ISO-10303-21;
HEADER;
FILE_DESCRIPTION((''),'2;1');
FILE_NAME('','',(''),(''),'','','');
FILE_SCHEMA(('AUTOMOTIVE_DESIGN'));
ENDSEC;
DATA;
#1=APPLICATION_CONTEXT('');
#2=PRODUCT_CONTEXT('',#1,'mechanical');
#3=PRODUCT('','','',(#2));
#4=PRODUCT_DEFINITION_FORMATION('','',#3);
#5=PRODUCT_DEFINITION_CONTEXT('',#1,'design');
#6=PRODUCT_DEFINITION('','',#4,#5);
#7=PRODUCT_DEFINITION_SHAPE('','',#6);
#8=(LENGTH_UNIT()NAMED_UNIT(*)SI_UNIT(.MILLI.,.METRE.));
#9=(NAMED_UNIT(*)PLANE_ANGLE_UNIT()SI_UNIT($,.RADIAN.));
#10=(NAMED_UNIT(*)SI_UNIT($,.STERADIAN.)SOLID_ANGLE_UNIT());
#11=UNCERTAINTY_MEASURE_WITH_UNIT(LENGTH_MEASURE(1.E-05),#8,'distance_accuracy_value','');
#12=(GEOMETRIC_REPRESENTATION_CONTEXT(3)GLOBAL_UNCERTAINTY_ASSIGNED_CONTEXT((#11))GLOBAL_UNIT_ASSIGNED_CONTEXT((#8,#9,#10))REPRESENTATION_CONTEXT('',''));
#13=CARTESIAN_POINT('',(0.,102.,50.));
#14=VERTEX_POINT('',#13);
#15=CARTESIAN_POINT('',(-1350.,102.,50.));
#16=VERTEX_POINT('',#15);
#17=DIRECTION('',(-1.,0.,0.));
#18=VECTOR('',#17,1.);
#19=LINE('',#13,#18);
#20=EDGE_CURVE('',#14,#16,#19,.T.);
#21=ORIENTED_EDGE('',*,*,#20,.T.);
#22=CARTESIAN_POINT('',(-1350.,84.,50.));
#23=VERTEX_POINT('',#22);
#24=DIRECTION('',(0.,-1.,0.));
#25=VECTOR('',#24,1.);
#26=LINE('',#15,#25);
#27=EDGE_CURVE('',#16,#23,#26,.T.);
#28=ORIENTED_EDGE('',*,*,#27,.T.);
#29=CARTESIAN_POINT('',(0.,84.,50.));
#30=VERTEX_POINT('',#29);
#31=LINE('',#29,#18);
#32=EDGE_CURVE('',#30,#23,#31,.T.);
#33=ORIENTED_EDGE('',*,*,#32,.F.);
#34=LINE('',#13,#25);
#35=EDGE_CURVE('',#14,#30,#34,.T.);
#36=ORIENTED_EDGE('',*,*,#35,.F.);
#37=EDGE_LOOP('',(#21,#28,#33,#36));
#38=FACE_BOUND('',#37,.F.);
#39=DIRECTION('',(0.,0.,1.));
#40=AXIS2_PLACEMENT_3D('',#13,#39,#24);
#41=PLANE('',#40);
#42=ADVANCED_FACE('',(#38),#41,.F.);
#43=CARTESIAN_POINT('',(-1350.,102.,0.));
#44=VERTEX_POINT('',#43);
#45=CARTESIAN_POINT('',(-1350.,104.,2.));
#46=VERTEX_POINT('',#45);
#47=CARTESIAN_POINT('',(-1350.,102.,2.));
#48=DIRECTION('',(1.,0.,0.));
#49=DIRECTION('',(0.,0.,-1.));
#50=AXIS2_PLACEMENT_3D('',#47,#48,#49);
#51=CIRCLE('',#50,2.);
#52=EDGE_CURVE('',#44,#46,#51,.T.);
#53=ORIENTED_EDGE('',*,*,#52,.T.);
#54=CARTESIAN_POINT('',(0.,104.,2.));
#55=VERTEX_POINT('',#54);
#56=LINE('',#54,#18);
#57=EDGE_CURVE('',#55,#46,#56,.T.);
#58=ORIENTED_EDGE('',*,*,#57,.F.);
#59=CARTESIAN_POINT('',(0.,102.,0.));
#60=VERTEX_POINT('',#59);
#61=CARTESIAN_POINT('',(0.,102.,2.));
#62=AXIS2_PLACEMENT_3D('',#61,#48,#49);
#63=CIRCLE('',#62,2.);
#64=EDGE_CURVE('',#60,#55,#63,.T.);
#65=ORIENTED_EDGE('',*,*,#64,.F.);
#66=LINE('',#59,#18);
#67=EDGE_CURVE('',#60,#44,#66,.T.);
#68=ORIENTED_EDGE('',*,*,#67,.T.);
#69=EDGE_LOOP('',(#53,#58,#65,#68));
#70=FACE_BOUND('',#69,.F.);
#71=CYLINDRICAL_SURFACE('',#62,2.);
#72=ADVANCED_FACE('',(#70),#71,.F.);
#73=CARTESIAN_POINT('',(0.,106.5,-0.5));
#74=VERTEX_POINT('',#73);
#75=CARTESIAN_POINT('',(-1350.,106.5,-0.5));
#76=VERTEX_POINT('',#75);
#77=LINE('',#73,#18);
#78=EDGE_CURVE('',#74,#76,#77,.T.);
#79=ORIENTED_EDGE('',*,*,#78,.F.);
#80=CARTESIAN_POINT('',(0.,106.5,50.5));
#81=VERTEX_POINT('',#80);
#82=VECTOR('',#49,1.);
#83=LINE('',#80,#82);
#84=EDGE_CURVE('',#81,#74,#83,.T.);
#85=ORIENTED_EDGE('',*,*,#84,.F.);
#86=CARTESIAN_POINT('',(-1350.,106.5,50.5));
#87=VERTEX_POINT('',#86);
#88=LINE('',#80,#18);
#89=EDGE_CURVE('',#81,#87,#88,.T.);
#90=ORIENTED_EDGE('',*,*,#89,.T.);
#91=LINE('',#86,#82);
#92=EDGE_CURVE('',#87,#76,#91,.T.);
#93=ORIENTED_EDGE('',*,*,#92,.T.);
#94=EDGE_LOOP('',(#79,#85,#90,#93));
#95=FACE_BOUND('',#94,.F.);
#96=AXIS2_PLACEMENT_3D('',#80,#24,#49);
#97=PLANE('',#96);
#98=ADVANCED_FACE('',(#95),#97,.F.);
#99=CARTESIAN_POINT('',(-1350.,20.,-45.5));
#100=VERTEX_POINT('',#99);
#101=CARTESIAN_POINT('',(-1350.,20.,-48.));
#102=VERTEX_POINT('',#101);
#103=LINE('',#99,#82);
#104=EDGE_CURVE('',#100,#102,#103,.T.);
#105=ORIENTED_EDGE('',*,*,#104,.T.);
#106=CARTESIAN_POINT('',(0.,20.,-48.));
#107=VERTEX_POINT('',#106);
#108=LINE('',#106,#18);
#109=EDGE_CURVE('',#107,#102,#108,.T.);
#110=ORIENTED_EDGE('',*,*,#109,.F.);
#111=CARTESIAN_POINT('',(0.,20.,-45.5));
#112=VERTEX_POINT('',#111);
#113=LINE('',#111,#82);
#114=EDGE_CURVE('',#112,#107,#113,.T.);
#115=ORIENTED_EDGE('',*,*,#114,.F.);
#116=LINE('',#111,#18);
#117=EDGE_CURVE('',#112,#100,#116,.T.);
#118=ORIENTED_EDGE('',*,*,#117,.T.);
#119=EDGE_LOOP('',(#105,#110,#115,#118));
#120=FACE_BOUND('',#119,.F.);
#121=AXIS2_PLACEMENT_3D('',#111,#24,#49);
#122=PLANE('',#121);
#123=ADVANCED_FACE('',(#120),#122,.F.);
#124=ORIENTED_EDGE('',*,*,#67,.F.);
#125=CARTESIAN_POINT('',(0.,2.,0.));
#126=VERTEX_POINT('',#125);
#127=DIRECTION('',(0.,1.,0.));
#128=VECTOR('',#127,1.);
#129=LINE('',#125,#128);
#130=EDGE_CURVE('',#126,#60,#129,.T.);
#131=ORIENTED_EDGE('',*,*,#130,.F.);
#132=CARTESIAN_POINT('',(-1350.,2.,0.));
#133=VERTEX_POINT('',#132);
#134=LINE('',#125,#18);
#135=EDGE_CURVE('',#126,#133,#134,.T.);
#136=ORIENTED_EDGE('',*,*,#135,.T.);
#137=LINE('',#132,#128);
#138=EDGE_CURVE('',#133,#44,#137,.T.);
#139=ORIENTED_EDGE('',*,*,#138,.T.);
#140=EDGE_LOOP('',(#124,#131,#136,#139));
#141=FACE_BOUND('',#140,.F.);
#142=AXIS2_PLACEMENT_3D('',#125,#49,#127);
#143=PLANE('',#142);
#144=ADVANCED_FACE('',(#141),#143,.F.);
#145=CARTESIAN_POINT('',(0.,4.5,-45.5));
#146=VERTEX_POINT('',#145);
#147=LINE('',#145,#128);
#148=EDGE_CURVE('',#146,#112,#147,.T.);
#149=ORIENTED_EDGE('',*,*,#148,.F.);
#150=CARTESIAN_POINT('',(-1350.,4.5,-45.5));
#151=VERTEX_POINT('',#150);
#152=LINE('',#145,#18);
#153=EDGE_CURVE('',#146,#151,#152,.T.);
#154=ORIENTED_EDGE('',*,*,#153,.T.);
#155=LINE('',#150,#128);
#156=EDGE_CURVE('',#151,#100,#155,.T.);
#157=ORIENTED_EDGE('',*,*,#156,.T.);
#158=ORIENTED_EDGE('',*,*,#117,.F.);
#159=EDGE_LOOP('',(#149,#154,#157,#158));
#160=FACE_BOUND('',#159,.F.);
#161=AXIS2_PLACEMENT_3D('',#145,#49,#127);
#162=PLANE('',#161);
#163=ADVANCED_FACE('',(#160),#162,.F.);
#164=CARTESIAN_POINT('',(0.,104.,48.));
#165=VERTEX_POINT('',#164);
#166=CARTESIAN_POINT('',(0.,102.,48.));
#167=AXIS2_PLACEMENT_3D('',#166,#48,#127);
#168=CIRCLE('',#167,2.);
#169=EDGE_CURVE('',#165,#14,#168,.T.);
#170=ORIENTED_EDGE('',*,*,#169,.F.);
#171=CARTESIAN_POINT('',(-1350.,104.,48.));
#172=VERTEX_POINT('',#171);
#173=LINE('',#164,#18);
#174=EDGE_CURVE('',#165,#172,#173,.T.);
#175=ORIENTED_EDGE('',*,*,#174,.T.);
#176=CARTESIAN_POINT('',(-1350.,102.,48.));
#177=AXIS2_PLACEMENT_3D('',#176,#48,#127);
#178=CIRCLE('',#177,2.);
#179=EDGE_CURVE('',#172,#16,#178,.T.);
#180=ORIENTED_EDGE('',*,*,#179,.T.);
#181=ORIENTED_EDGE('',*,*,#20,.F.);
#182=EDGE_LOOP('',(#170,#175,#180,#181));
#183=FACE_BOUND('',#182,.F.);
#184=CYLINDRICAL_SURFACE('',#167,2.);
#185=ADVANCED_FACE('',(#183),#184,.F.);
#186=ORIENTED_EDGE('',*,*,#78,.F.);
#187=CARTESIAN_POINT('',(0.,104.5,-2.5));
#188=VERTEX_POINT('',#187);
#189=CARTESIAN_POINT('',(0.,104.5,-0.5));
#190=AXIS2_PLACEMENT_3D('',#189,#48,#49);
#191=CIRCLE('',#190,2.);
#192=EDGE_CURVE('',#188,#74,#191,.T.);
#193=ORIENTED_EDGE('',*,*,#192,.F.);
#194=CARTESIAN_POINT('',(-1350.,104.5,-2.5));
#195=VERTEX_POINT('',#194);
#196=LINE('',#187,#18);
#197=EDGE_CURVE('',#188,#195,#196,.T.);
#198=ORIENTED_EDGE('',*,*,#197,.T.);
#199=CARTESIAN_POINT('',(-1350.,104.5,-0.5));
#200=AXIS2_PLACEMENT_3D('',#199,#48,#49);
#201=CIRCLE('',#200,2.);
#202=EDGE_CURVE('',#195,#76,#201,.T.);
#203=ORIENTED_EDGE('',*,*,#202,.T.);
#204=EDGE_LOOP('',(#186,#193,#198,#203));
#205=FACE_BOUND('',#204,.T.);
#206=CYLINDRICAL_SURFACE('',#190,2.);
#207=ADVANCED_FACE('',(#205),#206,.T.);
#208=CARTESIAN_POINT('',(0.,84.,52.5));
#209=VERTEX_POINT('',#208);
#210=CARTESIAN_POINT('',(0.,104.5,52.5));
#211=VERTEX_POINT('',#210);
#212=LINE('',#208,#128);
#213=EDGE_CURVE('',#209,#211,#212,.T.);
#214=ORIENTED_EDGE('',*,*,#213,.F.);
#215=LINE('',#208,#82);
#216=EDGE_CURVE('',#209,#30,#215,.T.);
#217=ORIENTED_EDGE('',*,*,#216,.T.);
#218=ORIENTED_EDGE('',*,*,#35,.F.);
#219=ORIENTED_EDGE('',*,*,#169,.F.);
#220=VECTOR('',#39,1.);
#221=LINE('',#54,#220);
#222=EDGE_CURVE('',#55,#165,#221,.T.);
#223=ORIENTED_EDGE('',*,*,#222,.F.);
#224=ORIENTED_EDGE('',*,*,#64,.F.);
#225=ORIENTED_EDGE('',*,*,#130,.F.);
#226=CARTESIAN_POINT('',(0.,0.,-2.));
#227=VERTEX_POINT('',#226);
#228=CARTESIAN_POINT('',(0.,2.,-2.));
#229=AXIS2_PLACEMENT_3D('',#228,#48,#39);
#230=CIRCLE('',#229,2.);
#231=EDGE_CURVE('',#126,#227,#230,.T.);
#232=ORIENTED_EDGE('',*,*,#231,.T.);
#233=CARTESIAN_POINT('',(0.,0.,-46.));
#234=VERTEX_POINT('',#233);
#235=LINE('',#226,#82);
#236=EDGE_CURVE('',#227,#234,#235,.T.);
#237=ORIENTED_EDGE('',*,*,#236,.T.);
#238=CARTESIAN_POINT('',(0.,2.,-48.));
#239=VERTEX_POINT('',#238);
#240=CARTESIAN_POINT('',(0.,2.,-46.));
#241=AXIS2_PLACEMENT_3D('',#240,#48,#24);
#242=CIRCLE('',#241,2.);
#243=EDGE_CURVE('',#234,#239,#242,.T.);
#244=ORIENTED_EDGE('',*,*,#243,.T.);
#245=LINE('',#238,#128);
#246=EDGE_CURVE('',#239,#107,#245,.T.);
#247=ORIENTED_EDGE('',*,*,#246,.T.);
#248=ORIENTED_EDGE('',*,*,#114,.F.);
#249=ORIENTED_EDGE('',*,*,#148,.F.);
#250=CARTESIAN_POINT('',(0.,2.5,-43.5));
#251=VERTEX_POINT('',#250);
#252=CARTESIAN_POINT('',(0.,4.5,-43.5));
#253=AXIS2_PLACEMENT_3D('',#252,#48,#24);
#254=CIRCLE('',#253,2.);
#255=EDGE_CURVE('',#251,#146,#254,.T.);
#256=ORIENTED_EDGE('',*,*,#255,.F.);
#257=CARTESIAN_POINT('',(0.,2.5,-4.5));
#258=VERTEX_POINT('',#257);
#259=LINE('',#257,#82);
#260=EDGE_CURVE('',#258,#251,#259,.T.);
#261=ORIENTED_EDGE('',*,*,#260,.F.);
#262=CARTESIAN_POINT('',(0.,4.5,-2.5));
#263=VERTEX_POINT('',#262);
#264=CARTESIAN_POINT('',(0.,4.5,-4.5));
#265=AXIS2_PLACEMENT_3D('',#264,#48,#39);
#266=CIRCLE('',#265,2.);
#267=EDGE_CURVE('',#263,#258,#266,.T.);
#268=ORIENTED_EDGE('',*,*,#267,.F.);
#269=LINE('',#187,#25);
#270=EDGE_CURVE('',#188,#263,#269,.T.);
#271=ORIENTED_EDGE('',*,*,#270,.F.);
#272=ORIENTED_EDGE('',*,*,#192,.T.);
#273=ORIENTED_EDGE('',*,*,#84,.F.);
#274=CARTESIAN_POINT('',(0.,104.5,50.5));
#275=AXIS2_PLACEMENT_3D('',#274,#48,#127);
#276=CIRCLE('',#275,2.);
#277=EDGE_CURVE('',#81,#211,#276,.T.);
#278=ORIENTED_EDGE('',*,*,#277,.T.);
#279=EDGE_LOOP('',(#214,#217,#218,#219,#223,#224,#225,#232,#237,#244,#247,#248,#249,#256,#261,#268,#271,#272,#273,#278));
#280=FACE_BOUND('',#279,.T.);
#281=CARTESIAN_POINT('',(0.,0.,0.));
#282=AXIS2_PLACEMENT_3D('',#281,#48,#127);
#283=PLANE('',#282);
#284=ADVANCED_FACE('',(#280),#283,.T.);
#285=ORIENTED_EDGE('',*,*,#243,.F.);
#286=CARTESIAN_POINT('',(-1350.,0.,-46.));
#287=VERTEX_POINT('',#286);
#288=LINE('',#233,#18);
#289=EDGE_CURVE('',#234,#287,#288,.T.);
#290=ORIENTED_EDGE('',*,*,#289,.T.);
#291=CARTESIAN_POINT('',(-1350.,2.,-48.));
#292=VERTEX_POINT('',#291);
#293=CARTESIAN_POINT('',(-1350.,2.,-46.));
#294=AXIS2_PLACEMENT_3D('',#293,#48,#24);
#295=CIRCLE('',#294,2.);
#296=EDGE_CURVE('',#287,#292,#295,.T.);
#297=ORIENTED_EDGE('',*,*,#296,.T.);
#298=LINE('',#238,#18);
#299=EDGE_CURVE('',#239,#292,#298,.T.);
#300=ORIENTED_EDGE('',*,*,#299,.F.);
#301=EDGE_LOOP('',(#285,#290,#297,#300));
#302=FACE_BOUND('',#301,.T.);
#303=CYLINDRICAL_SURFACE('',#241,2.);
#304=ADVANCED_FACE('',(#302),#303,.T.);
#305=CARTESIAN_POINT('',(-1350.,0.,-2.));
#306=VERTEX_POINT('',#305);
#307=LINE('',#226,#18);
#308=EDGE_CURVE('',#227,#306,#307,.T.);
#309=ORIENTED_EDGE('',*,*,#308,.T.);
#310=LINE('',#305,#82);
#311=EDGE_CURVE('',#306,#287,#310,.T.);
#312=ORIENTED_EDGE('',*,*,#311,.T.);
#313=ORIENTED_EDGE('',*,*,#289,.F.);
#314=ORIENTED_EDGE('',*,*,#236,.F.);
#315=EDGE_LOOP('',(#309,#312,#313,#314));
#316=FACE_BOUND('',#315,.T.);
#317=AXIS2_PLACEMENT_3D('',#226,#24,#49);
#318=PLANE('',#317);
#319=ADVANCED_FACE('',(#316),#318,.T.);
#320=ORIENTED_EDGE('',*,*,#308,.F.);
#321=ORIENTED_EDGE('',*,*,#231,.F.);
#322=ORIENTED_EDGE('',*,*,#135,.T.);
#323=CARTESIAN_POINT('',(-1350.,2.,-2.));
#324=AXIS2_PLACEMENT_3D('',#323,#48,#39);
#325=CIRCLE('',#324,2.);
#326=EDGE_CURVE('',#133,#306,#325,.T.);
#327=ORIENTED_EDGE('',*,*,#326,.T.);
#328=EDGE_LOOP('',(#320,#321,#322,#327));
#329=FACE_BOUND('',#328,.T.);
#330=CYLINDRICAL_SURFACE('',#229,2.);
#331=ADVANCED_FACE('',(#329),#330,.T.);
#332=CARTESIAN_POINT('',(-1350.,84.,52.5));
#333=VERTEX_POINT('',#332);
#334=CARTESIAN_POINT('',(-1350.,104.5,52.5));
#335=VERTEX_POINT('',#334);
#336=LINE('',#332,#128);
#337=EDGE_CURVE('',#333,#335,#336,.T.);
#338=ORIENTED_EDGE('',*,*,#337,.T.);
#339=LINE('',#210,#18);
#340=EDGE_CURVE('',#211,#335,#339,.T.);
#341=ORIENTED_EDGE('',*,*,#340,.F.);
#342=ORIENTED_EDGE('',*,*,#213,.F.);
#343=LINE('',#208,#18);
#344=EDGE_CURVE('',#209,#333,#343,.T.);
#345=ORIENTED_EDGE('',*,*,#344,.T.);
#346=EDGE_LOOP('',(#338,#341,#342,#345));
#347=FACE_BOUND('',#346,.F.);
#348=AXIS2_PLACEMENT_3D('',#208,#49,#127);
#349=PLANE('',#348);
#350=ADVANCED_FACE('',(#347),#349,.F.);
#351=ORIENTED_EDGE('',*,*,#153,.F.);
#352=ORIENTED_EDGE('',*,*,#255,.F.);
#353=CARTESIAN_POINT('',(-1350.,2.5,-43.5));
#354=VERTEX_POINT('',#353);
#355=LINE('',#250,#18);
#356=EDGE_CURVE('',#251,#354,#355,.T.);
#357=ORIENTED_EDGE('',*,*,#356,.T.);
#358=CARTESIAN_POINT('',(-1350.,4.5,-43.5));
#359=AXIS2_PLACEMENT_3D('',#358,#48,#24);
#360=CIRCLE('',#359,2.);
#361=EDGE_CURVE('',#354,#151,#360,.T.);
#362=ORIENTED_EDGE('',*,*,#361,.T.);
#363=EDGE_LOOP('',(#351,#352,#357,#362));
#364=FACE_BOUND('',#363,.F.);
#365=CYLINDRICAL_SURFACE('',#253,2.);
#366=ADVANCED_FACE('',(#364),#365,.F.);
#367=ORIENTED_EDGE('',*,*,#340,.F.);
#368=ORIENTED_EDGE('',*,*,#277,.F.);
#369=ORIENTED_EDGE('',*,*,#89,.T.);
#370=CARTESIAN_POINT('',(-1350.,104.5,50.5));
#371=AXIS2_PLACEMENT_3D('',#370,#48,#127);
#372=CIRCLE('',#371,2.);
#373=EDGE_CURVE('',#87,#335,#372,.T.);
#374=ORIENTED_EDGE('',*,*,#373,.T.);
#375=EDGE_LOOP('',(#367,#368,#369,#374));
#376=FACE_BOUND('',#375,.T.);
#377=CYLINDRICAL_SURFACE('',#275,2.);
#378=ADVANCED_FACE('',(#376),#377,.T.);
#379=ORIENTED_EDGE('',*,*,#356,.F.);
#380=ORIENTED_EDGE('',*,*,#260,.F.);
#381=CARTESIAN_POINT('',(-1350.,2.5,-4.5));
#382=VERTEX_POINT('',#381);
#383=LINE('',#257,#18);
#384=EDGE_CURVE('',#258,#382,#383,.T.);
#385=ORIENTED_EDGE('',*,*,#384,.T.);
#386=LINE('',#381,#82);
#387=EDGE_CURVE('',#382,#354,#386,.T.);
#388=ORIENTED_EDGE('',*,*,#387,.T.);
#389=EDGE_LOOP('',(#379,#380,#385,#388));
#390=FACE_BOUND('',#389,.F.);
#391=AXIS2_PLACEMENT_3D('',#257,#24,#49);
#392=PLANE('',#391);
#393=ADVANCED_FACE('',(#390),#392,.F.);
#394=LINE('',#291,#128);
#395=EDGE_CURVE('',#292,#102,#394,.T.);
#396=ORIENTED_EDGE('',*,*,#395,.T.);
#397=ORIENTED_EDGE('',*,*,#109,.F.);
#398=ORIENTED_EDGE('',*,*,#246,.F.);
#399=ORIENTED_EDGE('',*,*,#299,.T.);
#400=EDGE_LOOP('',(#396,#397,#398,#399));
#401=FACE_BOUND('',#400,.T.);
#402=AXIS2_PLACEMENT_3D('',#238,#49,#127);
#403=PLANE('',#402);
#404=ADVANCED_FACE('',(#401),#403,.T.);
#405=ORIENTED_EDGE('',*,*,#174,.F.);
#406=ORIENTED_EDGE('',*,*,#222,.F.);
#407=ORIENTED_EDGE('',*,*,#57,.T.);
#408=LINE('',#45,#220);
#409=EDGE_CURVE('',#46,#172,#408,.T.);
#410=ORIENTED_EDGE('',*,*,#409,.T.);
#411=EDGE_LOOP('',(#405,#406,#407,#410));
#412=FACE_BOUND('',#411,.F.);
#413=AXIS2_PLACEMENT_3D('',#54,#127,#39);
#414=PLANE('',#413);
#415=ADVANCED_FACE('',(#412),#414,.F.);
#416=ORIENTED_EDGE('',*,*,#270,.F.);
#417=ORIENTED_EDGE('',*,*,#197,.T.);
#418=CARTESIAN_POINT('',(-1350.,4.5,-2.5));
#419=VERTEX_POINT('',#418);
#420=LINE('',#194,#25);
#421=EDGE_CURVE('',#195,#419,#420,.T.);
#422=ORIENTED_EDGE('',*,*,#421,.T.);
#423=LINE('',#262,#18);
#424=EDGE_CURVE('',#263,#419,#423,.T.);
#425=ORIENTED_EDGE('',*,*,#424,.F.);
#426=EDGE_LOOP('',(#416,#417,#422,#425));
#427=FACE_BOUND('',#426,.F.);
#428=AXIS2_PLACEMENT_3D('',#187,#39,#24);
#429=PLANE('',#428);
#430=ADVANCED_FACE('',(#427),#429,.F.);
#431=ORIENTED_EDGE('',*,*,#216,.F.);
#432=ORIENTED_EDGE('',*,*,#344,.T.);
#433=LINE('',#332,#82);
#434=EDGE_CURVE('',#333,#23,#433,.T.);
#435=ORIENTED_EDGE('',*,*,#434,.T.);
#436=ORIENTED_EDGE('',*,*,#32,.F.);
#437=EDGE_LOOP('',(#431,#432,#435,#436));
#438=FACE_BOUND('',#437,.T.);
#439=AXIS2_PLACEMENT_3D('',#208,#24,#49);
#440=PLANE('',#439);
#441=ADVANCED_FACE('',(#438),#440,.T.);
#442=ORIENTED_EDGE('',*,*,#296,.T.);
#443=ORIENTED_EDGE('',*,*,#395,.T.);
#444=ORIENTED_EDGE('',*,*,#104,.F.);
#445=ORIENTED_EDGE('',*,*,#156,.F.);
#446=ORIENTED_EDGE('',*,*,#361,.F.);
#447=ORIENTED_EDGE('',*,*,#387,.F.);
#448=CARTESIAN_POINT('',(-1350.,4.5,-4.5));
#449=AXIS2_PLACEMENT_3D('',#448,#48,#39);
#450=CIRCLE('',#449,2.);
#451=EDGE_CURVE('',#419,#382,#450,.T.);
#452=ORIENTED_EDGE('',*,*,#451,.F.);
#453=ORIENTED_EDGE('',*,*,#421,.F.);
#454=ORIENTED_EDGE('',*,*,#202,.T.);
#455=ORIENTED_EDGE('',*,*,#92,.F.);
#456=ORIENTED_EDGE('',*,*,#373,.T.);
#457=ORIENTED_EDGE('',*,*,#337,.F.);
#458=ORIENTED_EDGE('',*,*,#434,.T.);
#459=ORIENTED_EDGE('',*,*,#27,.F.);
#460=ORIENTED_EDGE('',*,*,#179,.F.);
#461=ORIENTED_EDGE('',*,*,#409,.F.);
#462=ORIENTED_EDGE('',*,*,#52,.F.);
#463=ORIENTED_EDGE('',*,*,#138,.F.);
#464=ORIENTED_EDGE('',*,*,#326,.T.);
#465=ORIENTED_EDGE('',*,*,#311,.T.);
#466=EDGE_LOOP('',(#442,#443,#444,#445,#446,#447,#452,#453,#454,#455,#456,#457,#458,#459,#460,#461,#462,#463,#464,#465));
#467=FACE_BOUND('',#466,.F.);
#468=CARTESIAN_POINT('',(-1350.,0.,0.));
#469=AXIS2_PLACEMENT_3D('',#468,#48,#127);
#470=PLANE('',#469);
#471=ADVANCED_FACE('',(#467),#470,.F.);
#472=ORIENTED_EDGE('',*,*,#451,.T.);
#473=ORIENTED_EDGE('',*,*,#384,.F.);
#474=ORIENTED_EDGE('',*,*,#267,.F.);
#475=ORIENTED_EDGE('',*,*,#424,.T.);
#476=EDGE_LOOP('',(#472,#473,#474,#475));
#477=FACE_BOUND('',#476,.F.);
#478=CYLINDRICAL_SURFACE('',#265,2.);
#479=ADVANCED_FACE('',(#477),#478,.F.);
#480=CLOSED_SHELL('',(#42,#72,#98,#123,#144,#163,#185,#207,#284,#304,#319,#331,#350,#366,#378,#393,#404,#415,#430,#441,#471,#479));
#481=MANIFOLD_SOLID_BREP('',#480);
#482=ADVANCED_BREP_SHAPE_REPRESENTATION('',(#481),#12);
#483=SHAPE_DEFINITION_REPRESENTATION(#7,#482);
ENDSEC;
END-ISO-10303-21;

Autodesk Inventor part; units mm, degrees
ref_plane "YZ Plane" through (0, 0, 0) normal (1, 0, 0) x (0, 1, 0)
ref_plane "XZ Plane" through (0, 0, 0) normal (0, 1, 0) x (-1, 0, 0)
ref_plane "XY Plane" through (0, 0, 0) normal (0, 0, 1) x (1, 0, 0)
sketch "Sketch1" plane through (0, 0, 0) normal (1, 0, 0) x (0, 1, 0)
  line L0 (2, 0) -> (102, 0)
  line L1 (0, -2) -> (0, -46)
  line L2 (104, 2) -> (104, 48)
  line L3 (2, -48) -> (20, -48)
  line L4 (102, 50) -> (84, 50)
  line L5 (84, 52.5) -> (104.5, 52.5)
  line L6 (106.5, 50.5) -> (106.5, -0.5)
  line L7 (104.5, -2.5) -> (4.5, -2.5)
  line L8 (2.5, -4.5) -> (2.5, -43.5)
  line L9 (4.5, -45.5) -> (20, -45.5)
  line L10 (84, 52.5) -> (84, 50)
  line L11 (20, -45.5) -> (20, -48)
  arc A0 (104, 48) -> (102, 50) centre (102, 48) ccw
  arc A1 (106.5, 50.5) -> (104.5, 52.5) centre (104.5, 50.5) ccw
  arc A2 (102, 0) -> (104, 2) centre (102, 2) ccw
  arc A3 (104.5, -2.5) -> (106.5, -0.5) centre (104.5, -0.5) ccw
  arc A4 (2, 0) -> (0, -2) centre (2, -2) ccw
  arc A5 (4.5, -2.5) -> (2.5, -4.5) centre (4.5, -4.5) ccw
  arc A6 (2.5, -43.5) -> (4.5, -45.5) centre (4.5, -43.5) ccw
  arc A7 (0, -46) -> (2, -48) centre (2, -46) ccw
  point P0 (0, 0)
  point P1 (104, 0)
  point P2 (0, -48)
  point P3 (104, 50)
  point P4 (106.5, 52.5)
  point P5 (106.5, -2.5)
  point P6 (2.5, -2.5)
  point P7 (2.5, -45.5)
  dimension "d0" = 104
  dimension "d1" = 48
  dimension "d2" = 50
  dimension "d3" = 20
  dimension "d4" = 20
  dimension "d5" = 2.5
  dimension "d8" = 2
extrude "Extrusion1" add sketch "Sketch1" against normal blind 1350
properties part number "PerfilZ"
